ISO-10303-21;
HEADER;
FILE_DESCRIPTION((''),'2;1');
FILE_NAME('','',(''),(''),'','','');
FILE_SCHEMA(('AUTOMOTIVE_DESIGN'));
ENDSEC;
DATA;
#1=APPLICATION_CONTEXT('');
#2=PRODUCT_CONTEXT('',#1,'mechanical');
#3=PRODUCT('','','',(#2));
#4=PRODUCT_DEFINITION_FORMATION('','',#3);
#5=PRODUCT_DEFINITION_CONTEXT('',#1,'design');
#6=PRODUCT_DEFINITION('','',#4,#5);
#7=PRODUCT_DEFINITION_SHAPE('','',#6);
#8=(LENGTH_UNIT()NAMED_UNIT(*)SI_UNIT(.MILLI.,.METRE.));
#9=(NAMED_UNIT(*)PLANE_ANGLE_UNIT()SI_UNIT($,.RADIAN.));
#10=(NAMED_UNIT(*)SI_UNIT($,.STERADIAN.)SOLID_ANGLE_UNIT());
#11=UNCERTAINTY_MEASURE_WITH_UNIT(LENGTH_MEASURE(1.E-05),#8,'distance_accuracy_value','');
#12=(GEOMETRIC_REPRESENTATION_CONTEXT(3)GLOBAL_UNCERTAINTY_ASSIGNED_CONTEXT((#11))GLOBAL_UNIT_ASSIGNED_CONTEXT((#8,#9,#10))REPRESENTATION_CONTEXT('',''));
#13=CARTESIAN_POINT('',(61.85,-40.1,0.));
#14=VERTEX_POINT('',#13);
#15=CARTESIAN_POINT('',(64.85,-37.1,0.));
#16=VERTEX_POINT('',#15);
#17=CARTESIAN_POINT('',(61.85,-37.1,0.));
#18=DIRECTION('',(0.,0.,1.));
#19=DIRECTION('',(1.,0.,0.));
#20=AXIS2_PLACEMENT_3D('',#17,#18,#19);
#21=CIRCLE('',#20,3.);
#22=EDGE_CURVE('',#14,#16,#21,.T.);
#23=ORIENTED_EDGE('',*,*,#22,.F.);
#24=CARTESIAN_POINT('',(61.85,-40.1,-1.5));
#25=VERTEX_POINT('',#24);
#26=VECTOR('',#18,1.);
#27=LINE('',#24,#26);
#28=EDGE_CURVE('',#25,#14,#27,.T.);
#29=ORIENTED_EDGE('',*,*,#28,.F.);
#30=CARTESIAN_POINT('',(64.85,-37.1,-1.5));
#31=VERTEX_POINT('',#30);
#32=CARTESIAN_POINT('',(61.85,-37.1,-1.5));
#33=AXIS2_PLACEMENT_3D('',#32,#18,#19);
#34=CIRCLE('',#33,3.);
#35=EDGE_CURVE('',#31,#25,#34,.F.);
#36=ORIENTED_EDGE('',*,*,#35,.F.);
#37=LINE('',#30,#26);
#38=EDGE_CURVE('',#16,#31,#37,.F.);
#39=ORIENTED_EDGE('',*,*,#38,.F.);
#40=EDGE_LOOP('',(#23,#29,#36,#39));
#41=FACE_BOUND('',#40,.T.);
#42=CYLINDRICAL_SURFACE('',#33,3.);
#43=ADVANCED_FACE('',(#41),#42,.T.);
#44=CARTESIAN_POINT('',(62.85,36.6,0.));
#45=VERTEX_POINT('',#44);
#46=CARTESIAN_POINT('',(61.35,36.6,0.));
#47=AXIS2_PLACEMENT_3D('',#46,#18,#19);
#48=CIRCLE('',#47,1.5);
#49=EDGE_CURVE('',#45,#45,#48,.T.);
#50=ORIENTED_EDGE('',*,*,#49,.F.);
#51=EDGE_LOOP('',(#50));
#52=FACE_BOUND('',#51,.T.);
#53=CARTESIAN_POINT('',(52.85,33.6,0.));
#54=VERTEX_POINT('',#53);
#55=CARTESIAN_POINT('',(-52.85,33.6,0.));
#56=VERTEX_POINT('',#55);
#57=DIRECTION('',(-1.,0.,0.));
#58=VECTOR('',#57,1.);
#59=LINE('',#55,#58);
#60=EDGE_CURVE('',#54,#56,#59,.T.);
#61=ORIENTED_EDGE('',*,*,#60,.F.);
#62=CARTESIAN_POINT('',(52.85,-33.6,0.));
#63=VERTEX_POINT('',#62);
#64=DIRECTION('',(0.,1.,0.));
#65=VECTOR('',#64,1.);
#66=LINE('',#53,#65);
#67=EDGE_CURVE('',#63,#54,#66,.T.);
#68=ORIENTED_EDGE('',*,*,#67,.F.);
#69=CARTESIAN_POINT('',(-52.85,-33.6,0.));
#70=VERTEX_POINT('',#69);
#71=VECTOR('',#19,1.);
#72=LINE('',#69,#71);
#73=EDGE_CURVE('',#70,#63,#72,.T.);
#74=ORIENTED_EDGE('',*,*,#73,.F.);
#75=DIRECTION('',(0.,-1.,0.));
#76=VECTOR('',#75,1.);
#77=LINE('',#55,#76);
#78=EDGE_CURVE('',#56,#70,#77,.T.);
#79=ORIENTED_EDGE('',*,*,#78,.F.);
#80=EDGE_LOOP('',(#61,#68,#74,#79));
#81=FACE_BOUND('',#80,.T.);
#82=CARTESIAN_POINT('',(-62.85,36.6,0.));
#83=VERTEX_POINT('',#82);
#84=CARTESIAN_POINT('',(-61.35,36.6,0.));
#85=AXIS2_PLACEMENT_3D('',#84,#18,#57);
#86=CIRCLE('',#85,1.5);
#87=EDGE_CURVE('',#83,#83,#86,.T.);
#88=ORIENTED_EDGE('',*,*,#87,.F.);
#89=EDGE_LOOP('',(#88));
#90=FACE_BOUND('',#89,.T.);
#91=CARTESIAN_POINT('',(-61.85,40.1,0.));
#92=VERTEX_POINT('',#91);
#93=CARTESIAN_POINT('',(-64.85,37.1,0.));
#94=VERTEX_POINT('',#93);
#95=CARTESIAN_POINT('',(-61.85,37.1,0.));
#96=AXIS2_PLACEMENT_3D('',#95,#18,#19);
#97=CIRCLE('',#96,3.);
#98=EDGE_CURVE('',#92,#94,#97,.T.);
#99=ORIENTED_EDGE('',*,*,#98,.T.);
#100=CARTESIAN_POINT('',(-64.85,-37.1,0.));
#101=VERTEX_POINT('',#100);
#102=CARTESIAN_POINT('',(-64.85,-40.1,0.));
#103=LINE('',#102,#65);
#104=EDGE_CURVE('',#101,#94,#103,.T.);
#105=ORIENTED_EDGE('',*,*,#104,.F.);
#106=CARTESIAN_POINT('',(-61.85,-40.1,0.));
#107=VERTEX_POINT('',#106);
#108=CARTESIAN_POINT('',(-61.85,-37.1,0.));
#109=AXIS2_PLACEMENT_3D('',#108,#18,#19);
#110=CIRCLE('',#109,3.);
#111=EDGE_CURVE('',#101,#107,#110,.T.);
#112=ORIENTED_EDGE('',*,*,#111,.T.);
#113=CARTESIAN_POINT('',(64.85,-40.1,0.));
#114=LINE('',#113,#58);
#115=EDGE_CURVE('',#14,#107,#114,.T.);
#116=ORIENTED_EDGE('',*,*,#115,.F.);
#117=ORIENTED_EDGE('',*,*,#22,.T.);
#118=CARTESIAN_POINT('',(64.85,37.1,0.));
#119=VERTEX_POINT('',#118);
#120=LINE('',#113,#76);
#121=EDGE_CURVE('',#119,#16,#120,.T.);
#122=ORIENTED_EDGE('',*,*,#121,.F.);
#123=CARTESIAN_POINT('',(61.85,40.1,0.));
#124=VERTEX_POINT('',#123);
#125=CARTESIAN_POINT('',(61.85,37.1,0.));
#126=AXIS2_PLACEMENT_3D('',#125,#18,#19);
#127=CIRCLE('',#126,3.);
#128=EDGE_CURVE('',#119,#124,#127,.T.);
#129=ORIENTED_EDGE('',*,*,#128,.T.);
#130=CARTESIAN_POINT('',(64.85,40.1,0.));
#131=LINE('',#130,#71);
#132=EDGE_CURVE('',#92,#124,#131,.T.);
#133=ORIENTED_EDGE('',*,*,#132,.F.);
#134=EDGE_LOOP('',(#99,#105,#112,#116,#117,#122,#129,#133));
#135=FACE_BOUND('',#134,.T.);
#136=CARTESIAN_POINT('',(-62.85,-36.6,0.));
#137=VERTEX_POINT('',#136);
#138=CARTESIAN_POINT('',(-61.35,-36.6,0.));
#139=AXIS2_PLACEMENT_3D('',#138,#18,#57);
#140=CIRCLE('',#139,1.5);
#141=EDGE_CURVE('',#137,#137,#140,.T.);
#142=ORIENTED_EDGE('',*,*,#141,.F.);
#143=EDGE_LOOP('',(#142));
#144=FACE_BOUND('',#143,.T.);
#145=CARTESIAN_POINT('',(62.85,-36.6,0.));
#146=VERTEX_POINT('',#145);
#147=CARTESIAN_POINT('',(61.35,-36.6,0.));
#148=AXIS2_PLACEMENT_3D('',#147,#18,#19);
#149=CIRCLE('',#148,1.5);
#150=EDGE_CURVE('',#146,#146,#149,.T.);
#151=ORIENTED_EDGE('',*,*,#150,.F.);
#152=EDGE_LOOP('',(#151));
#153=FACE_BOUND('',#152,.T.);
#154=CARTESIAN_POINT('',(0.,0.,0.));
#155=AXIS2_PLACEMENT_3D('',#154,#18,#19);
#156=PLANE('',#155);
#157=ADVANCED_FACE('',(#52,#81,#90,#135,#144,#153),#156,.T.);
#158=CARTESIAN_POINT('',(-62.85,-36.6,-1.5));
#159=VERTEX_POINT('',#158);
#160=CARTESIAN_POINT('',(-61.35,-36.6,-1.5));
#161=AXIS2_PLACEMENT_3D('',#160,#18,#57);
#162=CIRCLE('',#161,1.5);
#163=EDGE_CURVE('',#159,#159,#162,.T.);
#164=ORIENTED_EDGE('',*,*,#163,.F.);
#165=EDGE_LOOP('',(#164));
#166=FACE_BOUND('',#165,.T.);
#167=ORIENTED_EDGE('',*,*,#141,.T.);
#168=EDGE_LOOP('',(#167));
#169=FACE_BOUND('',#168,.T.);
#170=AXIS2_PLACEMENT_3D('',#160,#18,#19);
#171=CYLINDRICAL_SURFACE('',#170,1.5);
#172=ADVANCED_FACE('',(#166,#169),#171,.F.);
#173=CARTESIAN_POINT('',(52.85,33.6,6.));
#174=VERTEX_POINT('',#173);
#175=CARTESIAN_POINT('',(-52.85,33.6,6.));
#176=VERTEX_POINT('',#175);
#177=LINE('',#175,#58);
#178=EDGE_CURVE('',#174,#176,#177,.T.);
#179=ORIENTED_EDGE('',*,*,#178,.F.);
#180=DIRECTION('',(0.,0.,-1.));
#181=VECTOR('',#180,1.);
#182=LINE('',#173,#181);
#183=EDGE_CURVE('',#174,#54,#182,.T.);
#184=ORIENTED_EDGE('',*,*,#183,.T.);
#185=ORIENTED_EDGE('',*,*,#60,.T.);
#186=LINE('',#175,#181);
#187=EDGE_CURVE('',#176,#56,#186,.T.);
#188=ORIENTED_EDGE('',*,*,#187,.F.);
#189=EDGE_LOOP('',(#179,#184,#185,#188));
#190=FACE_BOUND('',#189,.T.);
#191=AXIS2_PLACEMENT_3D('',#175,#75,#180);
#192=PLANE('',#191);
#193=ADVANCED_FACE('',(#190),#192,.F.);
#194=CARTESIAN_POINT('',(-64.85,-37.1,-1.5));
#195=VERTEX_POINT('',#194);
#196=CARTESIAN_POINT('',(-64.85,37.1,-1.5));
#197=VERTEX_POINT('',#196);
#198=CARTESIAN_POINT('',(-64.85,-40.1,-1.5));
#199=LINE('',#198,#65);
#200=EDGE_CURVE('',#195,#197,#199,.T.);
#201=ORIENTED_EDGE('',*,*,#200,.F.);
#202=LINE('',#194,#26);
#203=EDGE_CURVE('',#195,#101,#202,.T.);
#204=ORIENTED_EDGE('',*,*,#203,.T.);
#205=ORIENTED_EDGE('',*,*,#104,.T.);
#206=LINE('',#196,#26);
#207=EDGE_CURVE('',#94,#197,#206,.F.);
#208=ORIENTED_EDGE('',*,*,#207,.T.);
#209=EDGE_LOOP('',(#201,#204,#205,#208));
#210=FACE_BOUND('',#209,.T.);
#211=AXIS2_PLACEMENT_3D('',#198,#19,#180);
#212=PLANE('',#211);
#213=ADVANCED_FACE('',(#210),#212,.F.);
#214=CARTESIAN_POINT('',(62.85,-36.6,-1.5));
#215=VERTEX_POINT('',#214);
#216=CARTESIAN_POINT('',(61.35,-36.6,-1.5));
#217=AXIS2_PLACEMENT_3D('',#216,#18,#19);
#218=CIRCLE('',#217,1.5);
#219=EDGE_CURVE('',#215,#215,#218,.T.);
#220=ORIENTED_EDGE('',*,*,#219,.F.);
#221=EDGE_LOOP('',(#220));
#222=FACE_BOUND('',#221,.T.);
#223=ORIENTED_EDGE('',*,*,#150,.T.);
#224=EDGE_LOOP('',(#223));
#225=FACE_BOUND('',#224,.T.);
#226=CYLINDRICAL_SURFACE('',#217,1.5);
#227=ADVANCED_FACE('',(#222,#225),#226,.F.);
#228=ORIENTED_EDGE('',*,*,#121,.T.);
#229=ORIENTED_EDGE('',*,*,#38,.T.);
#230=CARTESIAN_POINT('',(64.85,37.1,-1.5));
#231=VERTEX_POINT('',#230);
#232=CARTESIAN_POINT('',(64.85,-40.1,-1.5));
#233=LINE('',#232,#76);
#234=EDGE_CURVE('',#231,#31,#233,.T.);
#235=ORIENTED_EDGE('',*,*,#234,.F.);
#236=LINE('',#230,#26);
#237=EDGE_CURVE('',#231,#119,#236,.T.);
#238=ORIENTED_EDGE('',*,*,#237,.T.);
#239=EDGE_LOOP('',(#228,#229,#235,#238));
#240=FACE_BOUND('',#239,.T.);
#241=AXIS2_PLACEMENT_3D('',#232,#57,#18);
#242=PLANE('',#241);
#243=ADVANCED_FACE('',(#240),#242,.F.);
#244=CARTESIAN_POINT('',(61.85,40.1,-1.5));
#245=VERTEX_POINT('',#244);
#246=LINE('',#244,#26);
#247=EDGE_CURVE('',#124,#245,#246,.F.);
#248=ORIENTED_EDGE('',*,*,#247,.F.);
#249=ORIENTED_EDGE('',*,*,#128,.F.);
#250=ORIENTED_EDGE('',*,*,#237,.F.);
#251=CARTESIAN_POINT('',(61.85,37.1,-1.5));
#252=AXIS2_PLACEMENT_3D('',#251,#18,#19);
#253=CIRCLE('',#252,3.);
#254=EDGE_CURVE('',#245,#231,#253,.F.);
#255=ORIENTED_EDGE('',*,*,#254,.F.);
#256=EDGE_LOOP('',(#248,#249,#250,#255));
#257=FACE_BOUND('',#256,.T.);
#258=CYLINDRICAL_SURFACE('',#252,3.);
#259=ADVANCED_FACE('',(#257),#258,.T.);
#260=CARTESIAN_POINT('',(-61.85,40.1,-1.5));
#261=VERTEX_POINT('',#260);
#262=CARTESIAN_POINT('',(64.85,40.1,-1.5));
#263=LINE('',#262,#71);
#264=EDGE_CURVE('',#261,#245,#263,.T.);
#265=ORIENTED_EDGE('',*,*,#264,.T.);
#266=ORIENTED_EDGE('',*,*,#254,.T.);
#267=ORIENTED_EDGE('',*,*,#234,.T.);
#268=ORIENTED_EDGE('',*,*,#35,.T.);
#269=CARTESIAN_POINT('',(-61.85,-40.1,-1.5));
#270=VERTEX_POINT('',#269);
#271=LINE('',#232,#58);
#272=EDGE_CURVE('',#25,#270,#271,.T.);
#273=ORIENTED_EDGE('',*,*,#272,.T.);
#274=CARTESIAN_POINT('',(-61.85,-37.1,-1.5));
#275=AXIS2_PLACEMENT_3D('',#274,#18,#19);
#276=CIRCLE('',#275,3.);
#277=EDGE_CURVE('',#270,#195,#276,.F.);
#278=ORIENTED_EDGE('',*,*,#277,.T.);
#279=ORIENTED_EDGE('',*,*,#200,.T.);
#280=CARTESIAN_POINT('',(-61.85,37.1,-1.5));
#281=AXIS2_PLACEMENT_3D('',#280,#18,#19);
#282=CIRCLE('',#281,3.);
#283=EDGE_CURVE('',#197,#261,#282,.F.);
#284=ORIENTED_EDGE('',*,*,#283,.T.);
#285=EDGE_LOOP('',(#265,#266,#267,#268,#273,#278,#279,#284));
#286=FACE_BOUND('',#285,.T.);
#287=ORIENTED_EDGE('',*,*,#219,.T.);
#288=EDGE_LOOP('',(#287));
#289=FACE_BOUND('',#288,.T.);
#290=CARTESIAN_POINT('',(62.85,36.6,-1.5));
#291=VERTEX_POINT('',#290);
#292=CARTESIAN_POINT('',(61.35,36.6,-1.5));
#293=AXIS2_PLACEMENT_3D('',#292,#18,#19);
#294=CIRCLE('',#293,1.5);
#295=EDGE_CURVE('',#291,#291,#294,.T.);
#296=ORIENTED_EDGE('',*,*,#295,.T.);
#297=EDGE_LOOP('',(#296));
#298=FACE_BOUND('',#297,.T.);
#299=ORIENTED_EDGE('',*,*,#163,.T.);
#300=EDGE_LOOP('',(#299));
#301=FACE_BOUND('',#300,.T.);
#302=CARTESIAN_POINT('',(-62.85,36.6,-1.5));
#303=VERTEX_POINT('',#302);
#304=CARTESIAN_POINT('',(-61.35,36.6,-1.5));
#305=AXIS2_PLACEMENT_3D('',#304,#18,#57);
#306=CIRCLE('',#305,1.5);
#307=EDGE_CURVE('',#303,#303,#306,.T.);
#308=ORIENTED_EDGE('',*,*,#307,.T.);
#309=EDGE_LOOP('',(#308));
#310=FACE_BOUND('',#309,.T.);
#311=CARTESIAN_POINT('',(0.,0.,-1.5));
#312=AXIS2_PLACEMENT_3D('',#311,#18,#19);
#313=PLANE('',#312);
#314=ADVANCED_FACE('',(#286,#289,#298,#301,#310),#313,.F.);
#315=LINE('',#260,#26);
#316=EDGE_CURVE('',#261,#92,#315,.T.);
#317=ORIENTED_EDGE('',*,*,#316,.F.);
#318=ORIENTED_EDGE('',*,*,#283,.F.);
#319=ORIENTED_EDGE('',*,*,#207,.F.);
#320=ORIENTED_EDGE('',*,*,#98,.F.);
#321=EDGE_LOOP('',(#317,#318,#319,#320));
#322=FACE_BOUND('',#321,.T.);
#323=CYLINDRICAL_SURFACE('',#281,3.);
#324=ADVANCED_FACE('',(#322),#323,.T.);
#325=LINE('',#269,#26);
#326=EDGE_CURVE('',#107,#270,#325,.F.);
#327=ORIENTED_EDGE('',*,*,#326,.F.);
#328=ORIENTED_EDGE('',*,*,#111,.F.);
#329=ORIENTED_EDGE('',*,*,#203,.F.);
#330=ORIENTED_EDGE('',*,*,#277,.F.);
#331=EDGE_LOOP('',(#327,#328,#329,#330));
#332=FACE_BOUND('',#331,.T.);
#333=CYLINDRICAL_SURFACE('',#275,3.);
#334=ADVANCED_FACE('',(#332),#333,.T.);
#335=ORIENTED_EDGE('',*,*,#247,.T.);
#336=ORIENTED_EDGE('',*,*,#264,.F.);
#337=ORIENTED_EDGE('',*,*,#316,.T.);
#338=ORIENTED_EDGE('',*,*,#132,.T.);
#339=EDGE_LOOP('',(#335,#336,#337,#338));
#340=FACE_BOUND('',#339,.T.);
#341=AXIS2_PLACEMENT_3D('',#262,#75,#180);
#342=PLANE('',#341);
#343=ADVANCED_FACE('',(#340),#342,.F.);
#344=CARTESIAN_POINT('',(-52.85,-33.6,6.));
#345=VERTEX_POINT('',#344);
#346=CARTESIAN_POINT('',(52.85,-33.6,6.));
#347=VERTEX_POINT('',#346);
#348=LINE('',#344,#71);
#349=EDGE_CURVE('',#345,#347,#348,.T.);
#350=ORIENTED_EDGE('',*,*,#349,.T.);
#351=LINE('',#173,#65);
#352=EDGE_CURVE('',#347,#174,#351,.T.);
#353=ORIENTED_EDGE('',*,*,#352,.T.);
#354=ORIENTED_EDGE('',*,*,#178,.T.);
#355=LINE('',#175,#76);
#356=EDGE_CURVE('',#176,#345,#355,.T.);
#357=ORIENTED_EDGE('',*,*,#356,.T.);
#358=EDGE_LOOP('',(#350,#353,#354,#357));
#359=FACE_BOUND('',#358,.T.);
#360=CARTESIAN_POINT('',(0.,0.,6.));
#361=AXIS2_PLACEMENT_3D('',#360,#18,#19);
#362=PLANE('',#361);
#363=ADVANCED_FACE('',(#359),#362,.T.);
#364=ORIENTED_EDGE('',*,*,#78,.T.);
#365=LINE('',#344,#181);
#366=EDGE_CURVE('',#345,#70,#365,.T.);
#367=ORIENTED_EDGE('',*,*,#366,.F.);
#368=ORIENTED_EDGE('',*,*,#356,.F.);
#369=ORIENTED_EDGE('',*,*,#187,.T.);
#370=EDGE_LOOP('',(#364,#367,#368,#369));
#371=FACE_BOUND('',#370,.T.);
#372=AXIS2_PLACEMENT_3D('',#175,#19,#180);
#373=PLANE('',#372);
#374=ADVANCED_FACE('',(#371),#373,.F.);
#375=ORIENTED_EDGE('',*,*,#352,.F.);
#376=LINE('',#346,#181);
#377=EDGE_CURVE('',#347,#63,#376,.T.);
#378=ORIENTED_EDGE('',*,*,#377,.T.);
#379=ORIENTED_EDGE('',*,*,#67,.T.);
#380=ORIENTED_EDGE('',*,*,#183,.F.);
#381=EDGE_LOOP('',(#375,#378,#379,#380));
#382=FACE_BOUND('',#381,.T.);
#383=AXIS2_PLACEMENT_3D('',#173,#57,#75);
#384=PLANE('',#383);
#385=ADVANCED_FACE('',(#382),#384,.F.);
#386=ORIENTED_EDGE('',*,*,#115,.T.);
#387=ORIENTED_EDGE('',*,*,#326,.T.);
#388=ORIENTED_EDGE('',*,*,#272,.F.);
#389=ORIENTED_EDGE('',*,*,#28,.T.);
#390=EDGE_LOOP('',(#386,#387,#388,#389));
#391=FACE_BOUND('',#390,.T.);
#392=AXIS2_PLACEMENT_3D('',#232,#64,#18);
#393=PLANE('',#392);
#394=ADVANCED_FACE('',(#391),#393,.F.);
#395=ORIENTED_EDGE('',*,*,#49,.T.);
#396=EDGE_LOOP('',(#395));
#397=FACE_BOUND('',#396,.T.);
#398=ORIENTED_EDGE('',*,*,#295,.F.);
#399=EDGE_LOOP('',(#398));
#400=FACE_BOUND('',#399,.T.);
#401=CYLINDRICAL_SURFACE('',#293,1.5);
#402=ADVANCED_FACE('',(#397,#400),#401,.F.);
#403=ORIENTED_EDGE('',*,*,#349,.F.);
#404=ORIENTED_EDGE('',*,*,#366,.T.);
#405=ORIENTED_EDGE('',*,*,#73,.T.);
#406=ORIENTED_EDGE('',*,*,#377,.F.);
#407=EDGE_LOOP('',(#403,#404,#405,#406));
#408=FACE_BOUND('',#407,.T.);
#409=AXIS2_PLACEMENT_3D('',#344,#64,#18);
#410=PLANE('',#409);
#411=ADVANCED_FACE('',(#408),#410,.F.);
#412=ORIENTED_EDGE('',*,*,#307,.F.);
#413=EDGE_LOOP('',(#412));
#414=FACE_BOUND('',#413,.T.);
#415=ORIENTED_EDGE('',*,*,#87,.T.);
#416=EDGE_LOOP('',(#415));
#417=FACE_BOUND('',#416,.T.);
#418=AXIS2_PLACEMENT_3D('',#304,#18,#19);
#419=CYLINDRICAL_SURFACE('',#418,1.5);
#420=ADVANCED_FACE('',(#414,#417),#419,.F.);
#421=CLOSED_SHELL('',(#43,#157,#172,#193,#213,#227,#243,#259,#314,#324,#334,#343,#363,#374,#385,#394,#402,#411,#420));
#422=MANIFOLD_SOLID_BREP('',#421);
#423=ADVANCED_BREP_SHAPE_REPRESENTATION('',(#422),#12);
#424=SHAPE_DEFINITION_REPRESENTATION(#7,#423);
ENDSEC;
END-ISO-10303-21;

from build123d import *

# Parameters (mm, degrees)
SKETCH1_W           = 105.7
SKETCH1_H           = 67.2
BOSS_EXTRUDE1_DEPTH = 6
SKETCH2_W           = 129.7
SKETCH2_H           = 80.2
BOSS_EXTRUDE2_DEPTH = 1.5
SKETCH3_R           = 1.5
CUT_EXTRUDE1_DEPTH  = 1.5
FILLET1_R           = 3


with BuildPart() as part:
    # Sketch1 → Boss-Extrude1 (new body)
    with BuildSketch(Plane.XY):
        Rectangle(SKETCH1_W, SKETCH1_H)
    extrude(amount=BOSS_EXTRUDE1_DEPTH)

    # Sketch2 → Boss-Extrude2 (add)
    with BuildSketch(Plane(origin=(0, 0, 0), x_dir=(-1, 0, 0), z_dir=(0, 0, -1))):
        Rectangle(SKETCH2_W, SKETCH2_H)
    extrude(amount=BOSS_EXTRUDE2_DEPTH)

    # Sketch3 → Cut-Extrude1 (cut)
    with BuildSketch(Plane.XY):
        with Locations((61.35, 36.6)):
            Circle(SKETCH3_R)
        with Locations((61.35, -36.6)):
            Circle(SKETCH3_R)
        with Locations((-61.35, -36.6)):
            Circle(SKETCH3_R)
        with Locations((-61.35, 36.6)):
            Circle(SKETCH3_R)
    extrude(amount=-CUT_EXTRUDE1_DEPTH, mode=Mode.SUBTRACT)

    # Fillet1
    fillet1_edges = [part.edges().sort_by_distance(p)[0] for p in [
        (-64.85, -40.1, -0.75),
        (-64.85, 40.1, -0.75),
        (64.85, 40.1, -0.75),
        (64.85, -40.1, -0.75),
    ]]
    fillet(fillet1_edges, radius=FILLET1_R)


solid = part.part
